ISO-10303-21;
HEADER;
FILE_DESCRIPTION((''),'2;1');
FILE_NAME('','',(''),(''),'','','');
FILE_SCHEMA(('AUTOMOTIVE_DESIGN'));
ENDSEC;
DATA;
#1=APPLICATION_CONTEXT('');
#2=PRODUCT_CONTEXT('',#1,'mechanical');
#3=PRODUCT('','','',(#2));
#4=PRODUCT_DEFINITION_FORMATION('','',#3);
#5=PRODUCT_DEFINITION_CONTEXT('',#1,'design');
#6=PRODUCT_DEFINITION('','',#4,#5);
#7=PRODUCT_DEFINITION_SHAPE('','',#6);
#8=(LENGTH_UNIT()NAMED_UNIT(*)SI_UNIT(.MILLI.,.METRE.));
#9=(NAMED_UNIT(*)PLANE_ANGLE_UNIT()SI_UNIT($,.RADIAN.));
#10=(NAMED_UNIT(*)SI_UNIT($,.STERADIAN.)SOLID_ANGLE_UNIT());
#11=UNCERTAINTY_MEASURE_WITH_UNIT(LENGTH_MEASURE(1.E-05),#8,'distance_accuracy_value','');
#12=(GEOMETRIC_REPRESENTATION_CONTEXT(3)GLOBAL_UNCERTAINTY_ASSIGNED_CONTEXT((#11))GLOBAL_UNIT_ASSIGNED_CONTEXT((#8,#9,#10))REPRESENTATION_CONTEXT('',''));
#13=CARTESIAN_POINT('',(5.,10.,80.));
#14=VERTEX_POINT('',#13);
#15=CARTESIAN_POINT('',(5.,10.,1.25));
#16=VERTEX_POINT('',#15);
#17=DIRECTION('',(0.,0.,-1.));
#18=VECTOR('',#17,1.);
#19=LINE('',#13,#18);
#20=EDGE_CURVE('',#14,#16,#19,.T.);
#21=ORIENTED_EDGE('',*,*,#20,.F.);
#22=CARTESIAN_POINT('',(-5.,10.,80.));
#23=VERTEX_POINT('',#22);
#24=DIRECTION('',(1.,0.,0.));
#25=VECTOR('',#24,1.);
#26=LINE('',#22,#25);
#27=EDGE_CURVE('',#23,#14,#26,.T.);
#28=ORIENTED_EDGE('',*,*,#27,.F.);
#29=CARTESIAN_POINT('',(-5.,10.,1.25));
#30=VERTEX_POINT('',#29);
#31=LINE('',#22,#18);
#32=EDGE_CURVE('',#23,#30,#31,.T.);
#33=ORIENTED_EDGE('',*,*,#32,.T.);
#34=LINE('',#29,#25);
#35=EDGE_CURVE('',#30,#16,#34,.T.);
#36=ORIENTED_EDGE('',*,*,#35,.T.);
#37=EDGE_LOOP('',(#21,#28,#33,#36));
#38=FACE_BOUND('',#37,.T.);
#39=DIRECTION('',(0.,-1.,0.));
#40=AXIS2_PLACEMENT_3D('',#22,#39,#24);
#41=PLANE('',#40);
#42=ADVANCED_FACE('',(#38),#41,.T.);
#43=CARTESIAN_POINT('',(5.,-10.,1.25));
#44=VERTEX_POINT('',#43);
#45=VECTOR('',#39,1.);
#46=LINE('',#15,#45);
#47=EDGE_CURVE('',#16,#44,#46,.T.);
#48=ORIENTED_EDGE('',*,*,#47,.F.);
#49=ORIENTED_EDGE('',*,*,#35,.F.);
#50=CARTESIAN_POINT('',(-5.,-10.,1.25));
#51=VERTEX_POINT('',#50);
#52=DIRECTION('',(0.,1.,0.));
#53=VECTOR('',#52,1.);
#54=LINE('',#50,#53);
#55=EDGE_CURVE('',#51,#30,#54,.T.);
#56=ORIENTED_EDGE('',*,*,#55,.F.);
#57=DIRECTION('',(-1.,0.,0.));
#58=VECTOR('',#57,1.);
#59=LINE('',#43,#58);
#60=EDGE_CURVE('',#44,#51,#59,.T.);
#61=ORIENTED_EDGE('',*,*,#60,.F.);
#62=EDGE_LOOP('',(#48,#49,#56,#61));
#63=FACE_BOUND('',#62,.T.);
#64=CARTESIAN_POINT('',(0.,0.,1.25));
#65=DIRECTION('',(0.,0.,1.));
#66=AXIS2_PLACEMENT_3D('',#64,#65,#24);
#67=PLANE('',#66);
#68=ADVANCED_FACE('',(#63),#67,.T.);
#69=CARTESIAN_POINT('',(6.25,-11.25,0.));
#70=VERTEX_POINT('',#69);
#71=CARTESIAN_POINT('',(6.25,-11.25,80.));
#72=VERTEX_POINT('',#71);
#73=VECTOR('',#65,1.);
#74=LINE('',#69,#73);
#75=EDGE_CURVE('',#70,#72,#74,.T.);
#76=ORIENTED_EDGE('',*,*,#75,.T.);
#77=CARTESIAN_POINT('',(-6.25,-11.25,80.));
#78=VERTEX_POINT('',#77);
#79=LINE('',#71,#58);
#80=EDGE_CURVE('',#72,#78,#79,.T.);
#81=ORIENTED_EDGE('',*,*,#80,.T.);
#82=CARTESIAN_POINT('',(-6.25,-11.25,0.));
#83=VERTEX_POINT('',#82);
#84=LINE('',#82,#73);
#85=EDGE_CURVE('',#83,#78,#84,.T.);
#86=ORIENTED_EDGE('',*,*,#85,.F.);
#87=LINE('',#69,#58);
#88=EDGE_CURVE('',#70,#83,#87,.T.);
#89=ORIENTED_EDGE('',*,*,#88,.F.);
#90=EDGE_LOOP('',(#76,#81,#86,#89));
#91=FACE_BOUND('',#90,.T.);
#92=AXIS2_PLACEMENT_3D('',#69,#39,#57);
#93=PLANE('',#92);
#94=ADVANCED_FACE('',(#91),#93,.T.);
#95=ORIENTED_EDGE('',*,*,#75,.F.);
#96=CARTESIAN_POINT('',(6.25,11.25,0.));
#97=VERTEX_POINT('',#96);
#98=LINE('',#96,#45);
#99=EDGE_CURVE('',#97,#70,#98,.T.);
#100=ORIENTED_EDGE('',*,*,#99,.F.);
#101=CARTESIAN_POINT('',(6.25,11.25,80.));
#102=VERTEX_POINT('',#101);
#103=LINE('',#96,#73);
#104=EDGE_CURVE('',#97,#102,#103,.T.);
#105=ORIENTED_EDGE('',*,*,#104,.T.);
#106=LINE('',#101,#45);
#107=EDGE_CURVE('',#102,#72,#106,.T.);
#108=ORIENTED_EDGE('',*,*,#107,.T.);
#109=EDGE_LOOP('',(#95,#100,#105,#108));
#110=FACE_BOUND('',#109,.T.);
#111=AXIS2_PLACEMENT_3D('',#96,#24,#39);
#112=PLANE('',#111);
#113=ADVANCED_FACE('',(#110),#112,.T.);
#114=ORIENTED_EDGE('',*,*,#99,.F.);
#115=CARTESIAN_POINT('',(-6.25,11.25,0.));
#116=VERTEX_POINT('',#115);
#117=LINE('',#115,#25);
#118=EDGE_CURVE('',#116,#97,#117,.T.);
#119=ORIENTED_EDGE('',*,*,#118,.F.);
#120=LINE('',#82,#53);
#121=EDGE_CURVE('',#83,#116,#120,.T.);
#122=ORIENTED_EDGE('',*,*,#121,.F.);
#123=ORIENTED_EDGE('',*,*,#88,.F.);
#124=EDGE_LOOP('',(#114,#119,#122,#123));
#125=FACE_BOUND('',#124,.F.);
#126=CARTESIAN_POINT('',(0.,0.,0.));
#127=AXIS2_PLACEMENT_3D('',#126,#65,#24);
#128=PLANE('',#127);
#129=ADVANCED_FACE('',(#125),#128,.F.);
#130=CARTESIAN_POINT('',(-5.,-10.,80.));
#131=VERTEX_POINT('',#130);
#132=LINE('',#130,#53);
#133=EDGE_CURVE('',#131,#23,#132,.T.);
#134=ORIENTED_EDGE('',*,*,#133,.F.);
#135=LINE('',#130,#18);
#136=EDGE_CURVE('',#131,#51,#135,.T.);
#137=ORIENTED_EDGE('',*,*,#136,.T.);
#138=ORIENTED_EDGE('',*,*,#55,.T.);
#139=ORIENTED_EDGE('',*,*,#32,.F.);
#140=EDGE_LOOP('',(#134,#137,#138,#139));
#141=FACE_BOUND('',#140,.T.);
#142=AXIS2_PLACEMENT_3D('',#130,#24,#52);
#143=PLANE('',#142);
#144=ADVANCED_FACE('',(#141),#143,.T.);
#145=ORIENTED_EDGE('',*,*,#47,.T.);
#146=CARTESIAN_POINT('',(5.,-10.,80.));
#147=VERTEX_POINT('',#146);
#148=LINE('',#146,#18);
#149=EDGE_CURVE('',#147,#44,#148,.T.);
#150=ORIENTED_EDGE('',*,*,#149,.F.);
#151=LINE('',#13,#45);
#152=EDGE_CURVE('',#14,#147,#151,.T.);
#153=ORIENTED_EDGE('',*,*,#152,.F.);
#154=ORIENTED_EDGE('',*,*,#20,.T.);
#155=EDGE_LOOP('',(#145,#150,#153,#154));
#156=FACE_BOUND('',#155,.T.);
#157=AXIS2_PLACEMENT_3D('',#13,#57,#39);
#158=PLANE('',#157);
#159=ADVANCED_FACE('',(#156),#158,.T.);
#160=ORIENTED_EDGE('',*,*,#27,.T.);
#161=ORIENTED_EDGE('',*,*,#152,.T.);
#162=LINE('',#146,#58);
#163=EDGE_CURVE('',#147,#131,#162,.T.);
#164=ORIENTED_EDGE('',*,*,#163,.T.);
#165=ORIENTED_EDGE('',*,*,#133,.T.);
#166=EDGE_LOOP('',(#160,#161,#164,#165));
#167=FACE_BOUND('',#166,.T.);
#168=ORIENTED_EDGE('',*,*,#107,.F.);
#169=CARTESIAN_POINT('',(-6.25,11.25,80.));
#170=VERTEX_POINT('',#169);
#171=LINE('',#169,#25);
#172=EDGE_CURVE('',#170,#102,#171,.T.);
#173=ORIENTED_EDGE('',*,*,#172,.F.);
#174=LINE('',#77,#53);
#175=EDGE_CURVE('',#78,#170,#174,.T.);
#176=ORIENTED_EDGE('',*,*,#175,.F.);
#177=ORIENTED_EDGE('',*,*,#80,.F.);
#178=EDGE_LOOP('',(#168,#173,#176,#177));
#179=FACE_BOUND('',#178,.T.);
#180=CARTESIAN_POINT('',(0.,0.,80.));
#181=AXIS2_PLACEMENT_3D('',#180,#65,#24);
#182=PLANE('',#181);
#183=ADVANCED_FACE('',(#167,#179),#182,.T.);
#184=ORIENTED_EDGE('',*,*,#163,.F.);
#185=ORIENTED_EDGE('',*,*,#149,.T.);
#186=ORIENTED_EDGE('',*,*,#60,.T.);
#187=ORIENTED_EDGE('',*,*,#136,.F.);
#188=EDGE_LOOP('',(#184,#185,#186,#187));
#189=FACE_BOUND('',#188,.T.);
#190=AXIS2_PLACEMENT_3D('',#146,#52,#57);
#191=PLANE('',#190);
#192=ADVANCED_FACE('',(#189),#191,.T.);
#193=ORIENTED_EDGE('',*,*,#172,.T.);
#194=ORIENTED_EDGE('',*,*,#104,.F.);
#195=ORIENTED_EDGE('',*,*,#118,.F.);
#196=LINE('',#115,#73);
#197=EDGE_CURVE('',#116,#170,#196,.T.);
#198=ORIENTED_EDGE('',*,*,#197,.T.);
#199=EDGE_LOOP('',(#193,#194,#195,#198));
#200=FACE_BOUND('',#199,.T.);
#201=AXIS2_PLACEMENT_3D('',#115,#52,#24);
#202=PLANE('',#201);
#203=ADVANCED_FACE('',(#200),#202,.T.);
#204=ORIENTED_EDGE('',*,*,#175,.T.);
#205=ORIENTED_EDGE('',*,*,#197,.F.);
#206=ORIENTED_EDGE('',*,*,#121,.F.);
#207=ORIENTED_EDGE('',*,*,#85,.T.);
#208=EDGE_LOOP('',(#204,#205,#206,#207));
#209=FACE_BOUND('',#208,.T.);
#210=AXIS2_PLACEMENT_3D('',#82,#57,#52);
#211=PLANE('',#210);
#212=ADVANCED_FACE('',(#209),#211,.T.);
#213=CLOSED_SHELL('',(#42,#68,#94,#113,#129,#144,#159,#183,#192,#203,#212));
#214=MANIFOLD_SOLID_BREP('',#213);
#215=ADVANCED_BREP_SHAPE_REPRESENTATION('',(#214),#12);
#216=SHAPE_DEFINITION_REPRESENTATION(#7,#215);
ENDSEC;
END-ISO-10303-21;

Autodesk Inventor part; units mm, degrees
ref_plane "YZ Plane" through (0, 0, 0) normal (1, 0, 0) x (0, 1, 0)
ref_plane "XZ Plane" through (0, 0, 0) normal (0, 1, 0) x (-1, 0, 0)
ref_plane "XY Plane" through (0, 0, 0) normal (0, 0, 1) x (1, 0, 0)
sketch "Sketch1" plane through (0, 0, 0) normal (0, 0, 1) x (1, 0, 0)
  line L0 (0, 15.75) -> (0, -15.75) construction
  line L1 (-8.75, 0) -> (8.75, 0) construction
  line L2 (-6.25, 11.25) -> (6.25, 11.25)
  line L3 (6.25, 11.25) -> (6.25, -11.25)
  line L4 (6.25, -11.25) -> (-6.25, -11.25)
  line L5 (-6.25, -11.25) -> (-6.25, 11.25)
  point P0 (0, 0)
  dimension "d0" = 22.5
  dimension "d1" = 12.5
extrude "Extrusion1" add sketch "Sketch1" along normal blind 80
sketch "Sketch2" plane through (0, 0, 80) normal (0, 0, 1) x (1, 0, 0)
  line L0 (-6.25, 11.25) -> (6.25, 11.25) projected
  line L1 (-6.25, -11.25) -> (-6.25, 11.25) projected
  line L2 (-5, 10) -> (5, 10)
  line L3 (5, 10) -> (5, -10)
  line L4 (5, -10) -> (-5, -10)
  line L5 (-5, -10) -> (-5, 10)
  point P0 (0, 0)
  dimension "d4" = 10
  dimension "d5" = 20
  dimension "d6" = 1.25
  dimension "d7" = 1.25
extrude "Extrusion2" cut sketch "Sketch2" against normal blind 78.75
properties part number "UQ-205-H80-10x20x80mm" material "Glass"
